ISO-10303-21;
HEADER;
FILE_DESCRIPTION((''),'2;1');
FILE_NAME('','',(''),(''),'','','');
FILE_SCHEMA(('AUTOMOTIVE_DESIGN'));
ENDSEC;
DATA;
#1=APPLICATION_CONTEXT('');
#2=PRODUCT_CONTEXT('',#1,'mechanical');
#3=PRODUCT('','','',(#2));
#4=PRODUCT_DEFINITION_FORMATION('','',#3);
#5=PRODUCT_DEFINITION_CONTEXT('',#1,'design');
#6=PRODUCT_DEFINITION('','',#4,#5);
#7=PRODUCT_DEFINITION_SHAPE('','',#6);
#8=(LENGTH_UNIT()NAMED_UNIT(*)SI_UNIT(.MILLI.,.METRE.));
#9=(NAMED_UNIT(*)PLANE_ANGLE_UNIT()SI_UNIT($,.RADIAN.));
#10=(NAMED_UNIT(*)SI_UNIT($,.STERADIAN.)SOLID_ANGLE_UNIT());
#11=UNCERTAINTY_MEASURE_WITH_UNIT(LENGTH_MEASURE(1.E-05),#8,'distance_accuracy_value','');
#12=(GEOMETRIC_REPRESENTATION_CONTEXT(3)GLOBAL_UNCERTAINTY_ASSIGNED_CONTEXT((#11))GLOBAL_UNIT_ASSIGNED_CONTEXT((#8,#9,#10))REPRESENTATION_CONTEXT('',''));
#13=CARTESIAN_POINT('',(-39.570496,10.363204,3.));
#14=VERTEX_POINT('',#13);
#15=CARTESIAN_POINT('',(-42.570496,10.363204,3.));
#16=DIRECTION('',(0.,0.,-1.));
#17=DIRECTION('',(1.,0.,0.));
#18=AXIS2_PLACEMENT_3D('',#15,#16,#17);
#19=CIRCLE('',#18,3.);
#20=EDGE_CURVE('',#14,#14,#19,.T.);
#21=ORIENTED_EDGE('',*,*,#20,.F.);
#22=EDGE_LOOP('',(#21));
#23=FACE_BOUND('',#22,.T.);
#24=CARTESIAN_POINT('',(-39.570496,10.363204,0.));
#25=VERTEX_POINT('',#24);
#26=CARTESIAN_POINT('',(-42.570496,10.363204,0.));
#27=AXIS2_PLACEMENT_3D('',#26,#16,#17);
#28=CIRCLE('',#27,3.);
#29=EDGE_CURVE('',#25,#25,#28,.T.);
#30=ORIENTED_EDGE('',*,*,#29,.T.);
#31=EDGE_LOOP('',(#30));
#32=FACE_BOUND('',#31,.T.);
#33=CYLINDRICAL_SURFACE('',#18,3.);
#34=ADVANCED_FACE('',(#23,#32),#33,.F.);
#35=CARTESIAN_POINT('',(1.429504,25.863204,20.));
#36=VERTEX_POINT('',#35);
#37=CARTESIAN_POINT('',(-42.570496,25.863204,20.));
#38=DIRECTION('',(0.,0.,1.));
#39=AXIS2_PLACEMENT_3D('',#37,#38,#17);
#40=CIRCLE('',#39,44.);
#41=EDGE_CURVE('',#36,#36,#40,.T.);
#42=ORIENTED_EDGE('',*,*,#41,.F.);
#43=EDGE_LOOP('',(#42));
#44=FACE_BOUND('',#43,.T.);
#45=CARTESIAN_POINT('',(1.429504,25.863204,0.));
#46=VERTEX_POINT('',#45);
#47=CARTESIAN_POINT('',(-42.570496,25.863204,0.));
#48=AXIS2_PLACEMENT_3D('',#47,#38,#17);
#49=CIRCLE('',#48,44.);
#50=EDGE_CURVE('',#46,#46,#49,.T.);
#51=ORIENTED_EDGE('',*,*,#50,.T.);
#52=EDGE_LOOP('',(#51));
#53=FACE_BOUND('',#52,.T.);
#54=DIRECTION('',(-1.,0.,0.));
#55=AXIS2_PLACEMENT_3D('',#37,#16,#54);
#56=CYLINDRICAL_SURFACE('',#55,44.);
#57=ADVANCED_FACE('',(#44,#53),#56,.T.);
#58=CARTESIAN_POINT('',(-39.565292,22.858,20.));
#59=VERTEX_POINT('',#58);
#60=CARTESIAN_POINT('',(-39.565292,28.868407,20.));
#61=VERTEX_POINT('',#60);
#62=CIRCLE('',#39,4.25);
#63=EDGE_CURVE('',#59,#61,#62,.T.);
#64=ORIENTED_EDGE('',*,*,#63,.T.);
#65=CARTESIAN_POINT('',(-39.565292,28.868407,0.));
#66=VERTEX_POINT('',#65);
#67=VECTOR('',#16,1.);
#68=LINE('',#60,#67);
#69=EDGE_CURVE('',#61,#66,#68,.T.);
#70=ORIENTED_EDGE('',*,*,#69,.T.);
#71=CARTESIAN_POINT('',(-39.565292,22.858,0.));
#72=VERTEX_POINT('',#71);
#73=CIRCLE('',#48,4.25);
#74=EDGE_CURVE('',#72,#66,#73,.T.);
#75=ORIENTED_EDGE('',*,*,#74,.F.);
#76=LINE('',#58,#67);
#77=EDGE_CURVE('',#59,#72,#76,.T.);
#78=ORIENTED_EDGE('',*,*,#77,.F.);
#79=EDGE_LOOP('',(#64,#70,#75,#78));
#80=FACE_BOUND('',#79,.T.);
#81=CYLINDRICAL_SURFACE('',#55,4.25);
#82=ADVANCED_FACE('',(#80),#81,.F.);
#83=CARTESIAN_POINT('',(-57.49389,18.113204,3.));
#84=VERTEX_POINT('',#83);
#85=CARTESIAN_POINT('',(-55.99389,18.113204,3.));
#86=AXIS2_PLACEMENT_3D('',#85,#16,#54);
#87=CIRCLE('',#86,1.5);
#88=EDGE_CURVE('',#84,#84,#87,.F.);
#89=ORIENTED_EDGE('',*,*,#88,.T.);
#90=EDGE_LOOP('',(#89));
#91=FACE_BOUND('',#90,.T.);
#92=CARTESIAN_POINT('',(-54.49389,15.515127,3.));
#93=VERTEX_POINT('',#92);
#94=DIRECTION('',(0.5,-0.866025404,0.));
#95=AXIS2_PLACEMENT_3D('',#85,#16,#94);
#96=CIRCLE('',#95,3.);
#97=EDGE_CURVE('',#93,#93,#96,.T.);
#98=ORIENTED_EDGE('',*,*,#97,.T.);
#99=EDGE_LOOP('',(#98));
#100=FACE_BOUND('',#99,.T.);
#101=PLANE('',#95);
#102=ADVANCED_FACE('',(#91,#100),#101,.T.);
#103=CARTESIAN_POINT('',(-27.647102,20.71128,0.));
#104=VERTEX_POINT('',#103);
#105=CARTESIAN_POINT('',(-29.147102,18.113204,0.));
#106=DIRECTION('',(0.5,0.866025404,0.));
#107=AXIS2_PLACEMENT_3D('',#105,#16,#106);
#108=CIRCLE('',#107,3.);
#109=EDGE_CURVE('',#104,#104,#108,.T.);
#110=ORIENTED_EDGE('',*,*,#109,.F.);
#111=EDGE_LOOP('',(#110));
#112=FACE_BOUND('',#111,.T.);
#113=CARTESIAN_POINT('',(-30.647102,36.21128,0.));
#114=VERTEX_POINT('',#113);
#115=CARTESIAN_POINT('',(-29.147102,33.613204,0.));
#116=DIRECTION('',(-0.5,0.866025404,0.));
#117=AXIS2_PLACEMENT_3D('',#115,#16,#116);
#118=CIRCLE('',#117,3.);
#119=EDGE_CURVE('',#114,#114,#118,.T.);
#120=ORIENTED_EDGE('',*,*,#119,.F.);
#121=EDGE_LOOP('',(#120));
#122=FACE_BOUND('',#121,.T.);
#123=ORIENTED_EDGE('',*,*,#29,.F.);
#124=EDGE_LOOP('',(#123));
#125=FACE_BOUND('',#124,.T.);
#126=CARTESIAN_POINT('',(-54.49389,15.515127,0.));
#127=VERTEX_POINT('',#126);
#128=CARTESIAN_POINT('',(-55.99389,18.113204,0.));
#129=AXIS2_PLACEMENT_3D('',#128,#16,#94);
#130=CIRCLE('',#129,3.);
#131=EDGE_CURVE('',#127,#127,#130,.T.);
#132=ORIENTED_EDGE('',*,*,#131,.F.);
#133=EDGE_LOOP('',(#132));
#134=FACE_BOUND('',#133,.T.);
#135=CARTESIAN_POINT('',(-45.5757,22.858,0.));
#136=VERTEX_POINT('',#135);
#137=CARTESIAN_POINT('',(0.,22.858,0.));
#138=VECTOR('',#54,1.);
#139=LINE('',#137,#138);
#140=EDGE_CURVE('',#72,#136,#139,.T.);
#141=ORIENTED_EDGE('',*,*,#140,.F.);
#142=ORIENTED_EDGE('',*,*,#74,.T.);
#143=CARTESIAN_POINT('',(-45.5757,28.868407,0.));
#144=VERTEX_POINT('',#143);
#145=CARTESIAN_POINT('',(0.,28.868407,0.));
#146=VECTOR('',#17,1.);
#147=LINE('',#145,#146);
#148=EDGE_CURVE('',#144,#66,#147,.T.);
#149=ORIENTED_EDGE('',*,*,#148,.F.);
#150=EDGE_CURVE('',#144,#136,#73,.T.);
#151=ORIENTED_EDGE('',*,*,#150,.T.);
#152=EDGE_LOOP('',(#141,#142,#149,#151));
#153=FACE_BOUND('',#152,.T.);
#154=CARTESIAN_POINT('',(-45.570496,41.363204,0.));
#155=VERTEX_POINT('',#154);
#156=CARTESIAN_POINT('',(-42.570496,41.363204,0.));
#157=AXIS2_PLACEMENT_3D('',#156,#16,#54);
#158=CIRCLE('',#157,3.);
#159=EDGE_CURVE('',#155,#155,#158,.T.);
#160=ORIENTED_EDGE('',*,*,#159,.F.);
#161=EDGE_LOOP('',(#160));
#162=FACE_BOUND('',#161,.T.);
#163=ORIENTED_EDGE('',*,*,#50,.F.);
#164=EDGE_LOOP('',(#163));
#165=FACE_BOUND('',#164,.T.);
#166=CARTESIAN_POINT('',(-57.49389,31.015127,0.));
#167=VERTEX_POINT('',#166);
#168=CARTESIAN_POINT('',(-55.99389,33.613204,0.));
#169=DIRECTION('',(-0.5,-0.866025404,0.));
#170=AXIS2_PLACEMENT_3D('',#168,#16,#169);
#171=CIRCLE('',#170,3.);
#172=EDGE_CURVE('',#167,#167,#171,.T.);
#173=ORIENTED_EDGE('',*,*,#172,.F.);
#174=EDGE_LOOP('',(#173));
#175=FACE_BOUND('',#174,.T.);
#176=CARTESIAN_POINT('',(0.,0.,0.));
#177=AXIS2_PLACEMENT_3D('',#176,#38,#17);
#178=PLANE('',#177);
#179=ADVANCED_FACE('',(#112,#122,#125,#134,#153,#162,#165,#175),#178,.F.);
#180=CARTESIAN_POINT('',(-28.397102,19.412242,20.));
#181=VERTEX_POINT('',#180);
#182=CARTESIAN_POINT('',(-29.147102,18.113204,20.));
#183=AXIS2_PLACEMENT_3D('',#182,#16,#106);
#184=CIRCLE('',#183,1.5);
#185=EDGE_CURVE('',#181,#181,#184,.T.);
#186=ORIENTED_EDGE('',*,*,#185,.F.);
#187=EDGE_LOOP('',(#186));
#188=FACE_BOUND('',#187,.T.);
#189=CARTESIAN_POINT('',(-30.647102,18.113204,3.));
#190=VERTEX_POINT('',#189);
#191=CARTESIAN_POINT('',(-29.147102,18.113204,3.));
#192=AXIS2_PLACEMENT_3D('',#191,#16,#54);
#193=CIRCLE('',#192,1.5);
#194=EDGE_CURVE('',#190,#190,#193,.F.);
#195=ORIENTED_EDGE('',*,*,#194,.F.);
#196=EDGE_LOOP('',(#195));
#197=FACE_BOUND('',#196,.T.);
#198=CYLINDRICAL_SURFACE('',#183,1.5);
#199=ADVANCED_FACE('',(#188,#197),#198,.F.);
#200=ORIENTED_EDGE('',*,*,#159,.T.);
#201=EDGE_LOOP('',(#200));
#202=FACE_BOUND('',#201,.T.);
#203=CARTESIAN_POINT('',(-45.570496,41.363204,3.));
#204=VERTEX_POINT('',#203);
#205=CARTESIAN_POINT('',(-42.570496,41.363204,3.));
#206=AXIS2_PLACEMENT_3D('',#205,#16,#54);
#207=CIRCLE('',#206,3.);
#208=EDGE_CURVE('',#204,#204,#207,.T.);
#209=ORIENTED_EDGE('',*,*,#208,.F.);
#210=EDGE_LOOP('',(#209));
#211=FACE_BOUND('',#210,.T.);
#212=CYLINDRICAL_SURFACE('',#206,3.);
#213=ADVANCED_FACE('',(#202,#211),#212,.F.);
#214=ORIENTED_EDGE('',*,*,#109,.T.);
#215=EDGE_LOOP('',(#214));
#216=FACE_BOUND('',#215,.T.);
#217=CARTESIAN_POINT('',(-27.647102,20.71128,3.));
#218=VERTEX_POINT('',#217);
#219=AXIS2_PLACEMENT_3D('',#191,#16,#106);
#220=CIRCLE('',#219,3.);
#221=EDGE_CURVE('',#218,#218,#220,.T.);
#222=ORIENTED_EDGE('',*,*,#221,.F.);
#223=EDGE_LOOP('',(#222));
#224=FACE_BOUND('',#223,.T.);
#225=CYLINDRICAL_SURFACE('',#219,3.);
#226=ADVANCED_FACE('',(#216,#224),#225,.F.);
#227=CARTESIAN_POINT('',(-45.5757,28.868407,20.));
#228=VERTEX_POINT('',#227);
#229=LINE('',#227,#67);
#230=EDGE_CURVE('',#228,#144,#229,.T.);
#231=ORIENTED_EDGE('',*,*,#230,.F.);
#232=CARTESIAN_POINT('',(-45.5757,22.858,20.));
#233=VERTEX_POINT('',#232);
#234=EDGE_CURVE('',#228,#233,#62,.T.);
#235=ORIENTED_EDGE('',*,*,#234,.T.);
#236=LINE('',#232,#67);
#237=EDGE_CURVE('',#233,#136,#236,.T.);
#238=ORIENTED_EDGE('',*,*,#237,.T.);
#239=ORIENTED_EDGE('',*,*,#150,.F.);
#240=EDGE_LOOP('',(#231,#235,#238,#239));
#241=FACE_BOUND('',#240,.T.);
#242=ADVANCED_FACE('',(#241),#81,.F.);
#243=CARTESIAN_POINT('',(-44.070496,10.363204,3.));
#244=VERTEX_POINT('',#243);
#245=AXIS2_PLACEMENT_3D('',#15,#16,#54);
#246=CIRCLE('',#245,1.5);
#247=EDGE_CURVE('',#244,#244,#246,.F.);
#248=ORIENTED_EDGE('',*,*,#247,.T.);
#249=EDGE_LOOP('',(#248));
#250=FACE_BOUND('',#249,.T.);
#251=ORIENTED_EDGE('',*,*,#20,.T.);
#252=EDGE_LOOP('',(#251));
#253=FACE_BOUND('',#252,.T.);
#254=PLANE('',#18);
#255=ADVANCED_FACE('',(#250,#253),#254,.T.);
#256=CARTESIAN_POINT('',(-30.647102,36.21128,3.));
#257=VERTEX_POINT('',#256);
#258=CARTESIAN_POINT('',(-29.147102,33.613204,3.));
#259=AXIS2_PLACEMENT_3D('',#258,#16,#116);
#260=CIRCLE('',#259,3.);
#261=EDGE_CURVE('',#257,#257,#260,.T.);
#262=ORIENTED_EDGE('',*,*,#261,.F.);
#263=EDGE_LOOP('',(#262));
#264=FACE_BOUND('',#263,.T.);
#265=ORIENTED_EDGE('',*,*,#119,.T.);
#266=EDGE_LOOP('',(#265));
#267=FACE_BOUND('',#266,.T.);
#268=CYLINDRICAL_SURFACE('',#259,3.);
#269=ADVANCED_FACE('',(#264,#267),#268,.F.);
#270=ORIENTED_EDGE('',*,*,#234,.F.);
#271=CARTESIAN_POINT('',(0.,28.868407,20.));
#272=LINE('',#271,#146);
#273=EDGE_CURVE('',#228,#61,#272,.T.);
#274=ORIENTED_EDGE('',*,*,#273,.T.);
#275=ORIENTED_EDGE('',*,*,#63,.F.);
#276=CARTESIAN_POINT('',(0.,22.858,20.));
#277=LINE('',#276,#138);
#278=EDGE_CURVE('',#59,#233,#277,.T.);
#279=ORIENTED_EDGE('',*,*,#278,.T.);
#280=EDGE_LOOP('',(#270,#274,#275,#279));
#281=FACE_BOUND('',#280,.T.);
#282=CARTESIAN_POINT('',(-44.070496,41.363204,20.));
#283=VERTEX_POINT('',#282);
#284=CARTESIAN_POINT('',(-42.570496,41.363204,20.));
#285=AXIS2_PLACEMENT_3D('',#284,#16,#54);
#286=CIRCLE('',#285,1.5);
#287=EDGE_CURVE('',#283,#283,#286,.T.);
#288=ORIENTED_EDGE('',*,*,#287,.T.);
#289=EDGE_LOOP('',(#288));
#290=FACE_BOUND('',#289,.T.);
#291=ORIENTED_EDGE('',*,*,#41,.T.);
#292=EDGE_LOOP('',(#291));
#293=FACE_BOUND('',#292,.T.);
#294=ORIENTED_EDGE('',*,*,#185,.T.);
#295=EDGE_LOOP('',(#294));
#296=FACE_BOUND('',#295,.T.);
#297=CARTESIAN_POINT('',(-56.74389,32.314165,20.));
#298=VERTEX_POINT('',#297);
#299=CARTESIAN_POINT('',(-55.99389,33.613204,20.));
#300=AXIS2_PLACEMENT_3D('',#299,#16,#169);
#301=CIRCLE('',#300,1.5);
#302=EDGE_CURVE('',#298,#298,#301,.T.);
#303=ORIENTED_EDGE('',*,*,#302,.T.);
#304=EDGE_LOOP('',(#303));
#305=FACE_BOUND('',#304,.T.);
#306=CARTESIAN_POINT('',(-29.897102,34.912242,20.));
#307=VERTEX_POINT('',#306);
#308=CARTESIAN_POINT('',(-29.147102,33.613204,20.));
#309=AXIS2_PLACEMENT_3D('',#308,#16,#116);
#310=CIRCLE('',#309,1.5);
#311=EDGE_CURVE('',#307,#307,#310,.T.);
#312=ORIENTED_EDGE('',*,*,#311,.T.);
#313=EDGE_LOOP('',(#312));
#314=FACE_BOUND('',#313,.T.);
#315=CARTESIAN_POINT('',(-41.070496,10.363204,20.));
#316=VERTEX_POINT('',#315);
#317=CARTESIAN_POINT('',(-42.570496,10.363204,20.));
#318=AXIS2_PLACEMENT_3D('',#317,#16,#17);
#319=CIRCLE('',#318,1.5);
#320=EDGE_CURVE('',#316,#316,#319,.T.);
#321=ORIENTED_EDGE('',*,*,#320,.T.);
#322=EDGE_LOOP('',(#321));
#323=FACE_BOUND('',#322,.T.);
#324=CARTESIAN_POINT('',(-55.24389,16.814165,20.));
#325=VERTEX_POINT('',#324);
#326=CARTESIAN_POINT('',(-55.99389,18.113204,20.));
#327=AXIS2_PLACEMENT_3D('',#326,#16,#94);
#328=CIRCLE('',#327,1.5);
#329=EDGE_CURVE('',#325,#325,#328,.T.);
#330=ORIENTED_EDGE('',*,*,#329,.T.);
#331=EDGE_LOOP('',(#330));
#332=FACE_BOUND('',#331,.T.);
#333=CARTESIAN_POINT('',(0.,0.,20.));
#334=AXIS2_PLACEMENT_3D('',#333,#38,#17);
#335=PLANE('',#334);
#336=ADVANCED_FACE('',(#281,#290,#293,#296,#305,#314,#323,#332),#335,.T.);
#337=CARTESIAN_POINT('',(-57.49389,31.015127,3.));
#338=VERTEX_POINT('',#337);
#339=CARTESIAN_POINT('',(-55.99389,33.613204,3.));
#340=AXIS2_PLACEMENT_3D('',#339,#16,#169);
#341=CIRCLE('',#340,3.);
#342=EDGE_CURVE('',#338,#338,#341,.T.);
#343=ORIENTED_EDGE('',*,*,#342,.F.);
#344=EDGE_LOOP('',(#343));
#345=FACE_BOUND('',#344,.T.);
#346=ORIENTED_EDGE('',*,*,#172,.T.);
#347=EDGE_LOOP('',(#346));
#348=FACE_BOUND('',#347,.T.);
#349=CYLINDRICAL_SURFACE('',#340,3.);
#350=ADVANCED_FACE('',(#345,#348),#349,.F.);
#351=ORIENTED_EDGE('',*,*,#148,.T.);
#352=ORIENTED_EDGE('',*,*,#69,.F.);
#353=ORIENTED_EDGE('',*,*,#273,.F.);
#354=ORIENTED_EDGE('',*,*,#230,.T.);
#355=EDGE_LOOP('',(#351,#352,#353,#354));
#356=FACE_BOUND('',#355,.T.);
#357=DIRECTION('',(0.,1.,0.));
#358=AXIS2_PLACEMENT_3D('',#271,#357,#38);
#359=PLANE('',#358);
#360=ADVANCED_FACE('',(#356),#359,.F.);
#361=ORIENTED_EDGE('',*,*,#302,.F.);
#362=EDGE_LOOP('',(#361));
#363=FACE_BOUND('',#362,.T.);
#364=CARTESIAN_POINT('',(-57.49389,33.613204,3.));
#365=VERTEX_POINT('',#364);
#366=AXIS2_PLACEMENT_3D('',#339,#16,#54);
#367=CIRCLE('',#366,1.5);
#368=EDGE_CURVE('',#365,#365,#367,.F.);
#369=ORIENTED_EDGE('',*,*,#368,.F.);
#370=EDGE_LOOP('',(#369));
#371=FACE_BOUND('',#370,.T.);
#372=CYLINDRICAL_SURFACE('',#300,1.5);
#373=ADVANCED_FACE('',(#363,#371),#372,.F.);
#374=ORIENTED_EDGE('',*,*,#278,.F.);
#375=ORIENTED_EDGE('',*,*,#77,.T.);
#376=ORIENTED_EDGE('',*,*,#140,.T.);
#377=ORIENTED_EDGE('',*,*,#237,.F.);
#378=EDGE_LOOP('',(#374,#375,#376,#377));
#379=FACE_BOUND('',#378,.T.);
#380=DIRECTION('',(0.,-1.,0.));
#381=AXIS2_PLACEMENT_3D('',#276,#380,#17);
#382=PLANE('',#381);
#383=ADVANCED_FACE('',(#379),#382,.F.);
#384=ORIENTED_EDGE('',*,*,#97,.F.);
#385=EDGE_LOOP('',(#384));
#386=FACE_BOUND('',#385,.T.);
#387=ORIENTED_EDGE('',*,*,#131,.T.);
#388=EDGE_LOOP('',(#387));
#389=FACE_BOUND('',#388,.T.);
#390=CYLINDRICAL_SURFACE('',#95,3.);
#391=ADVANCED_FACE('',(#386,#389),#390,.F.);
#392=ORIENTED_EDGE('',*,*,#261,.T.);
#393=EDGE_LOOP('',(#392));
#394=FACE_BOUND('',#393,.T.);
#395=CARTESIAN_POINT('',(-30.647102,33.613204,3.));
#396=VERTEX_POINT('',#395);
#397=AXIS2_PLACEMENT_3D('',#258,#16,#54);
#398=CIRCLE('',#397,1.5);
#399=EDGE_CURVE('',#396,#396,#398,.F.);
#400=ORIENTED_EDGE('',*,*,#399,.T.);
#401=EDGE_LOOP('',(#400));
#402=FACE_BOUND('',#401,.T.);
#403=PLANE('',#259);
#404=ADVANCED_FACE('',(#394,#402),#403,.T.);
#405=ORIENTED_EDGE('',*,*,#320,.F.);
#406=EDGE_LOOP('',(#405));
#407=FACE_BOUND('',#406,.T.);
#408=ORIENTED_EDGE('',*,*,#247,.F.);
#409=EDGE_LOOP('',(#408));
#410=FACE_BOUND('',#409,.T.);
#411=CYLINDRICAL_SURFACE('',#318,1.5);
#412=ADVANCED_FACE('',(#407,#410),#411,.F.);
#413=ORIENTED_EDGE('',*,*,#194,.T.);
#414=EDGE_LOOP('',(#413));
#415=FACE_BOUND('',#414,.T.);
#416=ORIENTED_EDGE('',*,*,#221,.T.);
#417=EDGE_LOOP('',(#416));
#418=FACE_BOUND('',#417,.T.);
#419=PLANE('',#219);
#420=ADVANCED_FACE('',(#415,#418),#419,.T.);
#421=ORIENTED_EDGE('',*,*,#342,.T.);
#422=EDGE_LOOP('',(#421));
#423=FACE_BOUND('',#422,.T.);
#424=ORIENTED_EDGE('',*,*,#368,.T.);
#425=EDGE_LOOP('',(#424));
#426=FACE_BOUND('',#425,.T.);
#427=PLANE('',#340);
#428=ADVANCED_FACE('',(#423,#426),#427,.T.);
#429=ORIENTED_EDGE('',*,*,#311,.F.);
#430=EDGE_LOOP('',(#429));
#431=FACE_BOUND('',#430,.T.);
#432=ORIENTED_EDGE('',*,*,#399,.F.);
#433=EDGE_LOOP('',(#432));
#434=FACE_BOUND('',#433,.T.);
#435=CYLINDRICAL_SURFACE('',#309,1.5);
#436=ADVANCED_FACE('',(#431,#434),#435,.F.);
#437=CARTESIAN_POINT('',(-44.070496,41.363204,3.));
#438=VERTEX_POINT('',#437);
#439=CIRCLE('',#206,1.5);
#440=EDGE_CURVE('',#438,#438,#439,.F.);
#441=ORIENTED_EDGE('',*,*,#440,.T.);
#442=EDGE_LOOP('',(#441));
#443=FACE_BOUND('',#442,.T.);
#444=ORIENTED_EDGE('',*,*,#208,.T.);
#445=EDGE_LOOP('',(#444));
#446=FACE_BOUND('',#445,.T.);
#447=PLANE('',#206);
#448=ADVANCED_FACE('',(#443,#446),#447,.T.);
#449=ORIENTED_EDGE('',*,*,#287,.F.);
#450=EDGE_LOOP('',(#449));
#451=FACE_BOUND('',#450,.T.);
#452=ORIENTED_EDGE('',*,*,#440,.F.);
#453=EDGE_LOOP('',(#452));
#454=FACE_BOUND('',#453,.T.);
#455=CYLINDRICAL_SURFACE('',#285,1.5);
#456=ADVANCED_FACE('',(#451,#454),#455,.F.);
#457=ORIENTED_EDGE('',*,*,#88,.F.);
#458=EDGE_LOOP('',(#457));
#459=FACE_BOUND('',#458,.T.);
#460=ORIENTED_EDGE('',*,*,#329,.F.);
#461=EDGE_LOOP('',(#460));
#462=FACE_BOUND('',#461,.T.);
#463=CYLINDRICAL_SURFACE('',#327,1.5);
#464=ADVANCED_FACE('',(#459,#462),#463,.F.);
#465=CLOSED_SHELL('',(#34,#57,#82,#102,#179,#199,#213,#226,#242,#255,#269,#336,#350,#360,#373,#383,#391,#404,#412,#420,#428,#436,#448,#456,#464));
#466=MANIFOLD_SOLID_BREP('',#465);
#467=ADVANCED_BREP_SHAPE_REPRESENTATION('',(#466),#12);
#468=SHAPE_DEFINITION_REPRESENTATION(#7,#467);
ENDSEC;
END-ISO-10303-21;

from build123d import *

# Parameters (mm, degrees)
SKETCH1_R           = 44
BOSS_EXTRUDE1_DEPTH = 20
SKETCH2_R           = 1.5
CUT_EXTRUDE1_DEPTH  = 114.02795241
SKETCH2_3_R         = 3
CUT_EXTRUDE2_DEPTH  = 3
CIRPATTERN1_COUNT   = 6


with BuildPart() as part:
    # Sketch1 → Boss-Extrude1 (new body)
    with BuildSketch(Plane.XY):
        with Locations((-42.570496177, 25.863203603)):
            Circle(SKETCH1_R)
        with BuildLine():
            Line((-39.565292357, 22.857999783), (-45.575699997, 22.857999783))
            ThreePointArc((-45.575699997, 22.857999783), (-46.820496177, 25.863203603), (-45.575699997, 28.868407423))
            Line((-45.575699997, 28.868407423), (-39.565292357, 28.868407423))
            ThreePointArc((-39.565292357, 28.868407423), (-38.320496177, 25.863203603), (-39.565292357, 22.857999783))
        make_face(mode=Mode.SUBTRACT)
    extrude(amount=BOSS_EXTRUDE1_DEPTH)

    # Sketch2 → Cut-Extrude1 (cut, through all)
    with BuildSketch(Plane(origin=(0, 0, 0), x_dir=(-1, 0, 0), z_dir=(0, 0, -1))):
        with Locations((42.570496177, 41.363203603)):
            Circle(SKETCH2_R)
    cut_extrude1 = extrude(amount=-CUT_EXTRUDE1_DEPTH, mode=Mode.SUBTRACT)

    # Sketch2<3> → Cut-Extrude2 (cut)
    with BuildSketch(Plane(origin=(0, 0, 0), x_dir=(-1, 0, 0), z_dir=(0, 0, -1))):
        with Locations((42.570496177, 41.363203603)):
            Circle(SKETCH2_3_R)
    cut_extrude2 = extrude(amount=-CUT_EXTRUDE2_DEPTH, mode=Mode.SUBTRACT)

    # CirPattern1: Cut-Extrude1, Cut-Extrude2 ×6 about axis
    cirpattern1_axis = Axis((-42.570496177, 25.863203603, 20), (0, 0, 1))
    add([cut_extrude1.rotate(cirpattern1_axis, i * 360 / CIRPATTERN1_COUNT) for i in range(1, CIRPATTERN1_COUNT)], mode=Mode.SUBTRACT)
    add([cut_extrude2.rotate(cirpattern1_axis, i * 360 / CIRPATTERN1_COUNT) for i in range(1, CIRPATTERN1_COUNT)], mode=Mode.SUBTRACT)


solid = part.part
